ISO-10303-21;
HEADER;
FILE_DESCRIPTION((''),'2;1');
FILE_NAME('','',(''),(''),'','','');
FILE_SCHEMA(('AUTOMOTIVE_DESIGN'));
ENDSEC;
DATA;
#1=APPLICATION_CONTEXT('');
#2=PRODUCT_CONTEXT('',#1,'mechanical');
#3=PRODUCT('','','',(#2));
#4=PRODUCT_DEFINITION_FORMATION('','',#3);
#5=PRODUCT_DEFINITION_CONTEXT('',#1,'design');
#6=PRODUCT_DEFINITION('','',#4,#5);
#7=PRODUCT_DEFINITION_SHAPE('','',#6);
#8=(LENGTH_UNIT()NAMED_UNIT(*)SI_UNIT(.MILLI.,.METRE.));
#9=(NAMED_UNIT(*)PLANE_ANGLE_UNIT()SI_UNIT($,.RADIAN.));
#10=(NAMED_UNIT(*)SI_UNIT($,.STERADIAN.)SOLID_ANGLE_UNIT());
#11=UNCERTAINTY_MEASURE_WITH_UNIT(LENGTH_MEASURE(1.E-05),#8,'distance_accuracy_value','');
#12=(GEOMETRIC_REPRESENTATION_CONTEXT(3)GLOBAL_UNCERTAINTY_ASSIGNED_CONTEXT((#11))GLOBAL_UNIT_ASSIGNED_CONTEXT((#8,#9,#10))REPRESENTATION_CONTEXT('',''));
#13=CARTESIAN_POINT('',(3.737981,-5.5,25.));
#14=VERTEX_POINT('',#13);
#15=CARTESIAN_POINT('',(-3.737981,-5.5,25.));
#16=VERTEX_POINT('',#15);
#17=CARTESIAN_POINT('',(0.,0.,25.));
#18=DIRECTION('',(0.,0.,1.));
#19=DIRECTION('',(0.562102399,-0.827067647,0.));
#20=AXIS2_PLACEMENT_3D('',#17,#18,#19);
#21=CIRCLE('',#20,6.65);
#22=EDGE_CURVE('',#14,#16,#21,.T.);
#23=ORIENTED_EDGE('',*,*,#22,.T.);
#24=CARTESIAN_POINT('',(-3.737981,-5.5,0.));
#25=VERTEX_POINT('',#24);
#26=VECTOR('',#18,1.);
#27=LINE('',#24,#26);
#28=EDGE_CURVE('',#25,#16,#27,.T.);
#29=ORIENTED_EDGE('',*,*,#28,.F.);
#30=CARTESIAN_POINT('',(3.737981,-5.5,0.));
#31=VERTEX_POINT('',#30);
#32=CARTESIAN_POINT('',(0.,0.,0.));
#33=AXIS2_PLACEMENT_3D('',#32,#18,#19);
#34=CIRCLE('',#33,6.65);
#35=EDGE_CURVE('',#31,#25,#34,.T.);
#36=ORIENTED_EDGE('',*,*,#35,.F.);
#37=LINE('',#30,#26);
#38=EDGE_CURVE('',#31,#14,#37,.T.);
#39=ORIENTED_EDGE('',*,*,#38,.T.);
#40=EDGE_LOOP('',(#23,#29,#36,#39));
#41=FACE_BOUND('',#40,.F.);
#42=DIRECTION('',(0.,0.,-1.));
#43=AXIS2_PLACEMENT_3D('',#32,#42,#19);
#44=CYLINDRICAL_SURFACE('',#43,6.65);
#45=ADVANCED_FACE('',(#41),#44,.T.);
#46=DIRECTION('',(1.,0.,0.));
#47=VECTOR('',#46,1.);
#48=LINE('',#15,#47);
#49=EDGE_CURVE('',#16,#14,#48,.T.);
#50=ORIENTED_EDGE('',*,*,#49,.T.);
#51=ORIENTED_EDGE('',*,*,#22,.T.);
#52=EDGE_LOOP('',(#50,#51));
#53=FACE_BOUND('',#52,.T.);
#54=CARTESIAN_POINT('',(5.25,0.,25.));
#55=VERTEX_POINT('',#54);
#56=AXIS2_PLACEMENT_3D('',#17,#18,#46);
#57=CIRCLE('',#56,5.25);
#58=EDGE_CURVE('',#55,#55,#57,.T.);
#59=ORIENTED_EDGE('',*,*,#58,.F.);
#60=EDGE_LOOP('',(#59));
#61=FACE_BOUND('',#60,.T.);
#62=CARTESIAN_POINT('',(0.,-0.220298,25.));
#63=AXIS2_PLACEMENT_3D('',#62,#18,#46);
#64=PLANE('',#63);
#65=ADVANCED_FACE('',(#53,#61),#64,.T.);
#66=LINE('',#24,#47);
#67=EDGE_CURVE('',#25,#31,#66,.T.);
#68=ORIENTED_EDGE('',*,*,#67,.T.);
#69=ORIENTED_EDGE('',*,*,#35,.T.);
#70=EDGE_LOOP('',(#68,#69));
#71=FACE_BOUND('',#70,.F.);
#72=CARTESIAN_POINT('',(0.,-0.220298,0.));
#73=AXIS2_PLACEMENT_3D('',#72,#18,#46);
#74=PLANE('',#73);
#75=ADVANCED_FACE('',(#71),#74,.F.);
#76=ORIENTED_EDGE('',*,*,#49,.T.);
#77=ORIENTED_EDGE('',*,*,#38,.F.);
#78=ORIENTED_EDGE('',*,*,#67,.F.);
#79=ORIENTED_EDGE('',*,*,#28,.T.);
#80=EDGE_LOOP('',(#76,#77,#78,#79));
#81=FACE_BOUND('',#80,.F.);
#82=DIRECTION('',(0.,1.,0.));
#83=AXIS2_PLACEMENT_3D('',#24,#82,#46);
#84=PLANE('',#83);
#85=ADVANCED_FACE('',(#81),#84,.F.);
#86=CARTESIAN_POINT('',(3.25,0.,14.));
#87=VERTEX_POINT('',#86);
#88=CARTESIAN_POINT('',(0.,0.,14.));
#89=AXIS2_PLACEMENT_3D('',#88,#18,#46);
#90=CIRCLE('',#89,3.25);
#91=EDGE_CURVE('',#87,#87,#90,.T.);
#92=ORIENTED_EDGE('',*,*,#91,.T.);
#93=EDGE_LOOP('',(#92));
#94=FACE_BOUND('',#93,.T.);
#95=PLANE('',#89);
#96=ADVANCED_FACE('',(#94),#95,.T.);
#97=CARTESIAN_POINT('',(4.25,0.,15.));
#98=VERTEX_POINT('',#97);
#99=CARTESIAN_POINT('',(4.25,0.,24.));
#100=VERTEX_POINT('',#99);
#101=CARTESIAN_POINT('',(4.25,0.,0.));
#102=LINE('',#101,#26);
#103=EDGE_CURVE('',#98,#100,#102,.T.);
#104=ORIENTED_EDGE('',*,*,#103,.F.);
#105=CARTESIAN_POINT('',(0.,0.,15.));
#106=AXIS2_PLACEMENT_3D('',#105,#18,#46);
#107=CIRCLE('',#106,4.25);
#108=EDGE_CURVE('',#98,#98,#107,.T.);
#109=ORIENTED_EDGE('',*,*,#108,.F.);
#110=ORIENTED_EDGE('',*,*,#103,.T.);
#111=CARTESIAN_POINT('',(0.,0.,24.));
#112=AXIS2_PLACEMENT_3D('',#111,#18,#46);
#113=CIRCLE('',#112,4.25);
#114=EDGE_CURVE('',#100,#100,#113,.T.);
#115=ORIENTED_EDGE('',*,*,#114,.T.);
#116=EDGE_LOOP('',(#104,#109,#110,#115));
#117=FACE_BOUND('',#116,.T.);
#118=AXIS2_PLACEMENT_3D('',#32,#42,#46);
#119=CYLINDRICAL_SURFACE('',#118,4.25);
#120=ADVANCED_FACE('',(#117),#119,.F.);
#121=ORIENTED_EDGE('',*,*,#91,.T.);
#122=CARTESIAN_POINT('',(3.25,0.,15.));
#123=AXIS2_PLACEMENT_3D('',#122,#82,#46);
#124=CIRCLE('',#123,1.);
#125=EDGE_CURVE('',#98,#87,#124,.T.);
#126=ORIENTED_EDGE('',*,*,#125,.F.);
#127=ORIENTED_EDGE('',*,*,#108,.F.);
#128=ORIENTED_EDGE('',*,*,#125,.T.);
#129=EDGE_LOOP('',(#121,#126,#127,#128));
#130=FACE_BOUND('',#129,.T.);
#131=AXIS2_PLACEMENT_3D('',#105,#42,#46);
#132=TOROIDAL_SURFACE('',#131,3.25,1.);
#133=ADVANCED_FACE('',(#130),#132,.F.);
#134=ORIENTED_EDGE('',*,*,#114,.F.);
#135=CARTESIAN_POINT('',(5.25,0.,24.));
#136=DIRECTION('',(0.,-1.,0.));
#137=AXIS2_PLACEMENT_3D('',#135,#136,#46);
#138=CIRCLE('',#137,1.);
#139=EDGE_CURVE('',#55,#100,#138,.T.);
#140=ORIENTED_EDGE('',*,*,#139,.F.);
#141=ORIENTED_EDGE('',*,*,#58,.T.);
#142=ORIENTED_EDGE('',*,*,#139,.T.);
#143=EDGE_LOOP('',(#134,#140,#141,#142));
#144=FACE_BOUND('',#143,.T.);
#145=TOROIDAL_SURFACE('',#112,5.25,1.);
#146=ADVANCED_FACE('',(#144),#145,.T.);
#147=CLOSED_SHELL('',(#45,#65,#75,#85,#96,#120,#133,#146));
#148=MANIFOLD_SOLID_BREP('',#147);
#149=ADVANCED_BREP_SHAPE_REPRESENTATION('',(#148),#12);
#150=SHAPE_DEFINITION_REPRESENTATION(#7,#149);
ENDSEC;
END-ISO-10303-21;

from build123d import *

# Parameters (mm, degrees)
F0_R     = 4.25
F1_DEPTH = 14
F2_DEPTH = 25
F3_R     = 1


with BuildPart() as f1:
    # F0 (on Top) → F1 (new body)
    with BuildSketch(Plane.XY):
        Circle(F0_R)
    extrude(amount=F1_DEPTH)

    # F0 (on Top) → F2 (join)
    with BuildSketch(Plane.XY):
        with BuildLine():
            Line((-3.737981, -5.5), (3.737981, -5.5))
            ThreePointArc((3.737981, -5.5), (0, 6.65), (-3.737981, -5.5))
        make_face()
        Circle(F0_R, mode=Mode.SUBTRACT)
    extrude(amount=F2_DEPTH)

    # F3
    f3_edges = [f1.edges().sort_by_distance(p)[0] for p in [
        (-4.25, 0, 14),
        (-4.25, 0, 25),
    ]]
    fillet(f3_edges, radius=F3_R)


solid = f1.part
